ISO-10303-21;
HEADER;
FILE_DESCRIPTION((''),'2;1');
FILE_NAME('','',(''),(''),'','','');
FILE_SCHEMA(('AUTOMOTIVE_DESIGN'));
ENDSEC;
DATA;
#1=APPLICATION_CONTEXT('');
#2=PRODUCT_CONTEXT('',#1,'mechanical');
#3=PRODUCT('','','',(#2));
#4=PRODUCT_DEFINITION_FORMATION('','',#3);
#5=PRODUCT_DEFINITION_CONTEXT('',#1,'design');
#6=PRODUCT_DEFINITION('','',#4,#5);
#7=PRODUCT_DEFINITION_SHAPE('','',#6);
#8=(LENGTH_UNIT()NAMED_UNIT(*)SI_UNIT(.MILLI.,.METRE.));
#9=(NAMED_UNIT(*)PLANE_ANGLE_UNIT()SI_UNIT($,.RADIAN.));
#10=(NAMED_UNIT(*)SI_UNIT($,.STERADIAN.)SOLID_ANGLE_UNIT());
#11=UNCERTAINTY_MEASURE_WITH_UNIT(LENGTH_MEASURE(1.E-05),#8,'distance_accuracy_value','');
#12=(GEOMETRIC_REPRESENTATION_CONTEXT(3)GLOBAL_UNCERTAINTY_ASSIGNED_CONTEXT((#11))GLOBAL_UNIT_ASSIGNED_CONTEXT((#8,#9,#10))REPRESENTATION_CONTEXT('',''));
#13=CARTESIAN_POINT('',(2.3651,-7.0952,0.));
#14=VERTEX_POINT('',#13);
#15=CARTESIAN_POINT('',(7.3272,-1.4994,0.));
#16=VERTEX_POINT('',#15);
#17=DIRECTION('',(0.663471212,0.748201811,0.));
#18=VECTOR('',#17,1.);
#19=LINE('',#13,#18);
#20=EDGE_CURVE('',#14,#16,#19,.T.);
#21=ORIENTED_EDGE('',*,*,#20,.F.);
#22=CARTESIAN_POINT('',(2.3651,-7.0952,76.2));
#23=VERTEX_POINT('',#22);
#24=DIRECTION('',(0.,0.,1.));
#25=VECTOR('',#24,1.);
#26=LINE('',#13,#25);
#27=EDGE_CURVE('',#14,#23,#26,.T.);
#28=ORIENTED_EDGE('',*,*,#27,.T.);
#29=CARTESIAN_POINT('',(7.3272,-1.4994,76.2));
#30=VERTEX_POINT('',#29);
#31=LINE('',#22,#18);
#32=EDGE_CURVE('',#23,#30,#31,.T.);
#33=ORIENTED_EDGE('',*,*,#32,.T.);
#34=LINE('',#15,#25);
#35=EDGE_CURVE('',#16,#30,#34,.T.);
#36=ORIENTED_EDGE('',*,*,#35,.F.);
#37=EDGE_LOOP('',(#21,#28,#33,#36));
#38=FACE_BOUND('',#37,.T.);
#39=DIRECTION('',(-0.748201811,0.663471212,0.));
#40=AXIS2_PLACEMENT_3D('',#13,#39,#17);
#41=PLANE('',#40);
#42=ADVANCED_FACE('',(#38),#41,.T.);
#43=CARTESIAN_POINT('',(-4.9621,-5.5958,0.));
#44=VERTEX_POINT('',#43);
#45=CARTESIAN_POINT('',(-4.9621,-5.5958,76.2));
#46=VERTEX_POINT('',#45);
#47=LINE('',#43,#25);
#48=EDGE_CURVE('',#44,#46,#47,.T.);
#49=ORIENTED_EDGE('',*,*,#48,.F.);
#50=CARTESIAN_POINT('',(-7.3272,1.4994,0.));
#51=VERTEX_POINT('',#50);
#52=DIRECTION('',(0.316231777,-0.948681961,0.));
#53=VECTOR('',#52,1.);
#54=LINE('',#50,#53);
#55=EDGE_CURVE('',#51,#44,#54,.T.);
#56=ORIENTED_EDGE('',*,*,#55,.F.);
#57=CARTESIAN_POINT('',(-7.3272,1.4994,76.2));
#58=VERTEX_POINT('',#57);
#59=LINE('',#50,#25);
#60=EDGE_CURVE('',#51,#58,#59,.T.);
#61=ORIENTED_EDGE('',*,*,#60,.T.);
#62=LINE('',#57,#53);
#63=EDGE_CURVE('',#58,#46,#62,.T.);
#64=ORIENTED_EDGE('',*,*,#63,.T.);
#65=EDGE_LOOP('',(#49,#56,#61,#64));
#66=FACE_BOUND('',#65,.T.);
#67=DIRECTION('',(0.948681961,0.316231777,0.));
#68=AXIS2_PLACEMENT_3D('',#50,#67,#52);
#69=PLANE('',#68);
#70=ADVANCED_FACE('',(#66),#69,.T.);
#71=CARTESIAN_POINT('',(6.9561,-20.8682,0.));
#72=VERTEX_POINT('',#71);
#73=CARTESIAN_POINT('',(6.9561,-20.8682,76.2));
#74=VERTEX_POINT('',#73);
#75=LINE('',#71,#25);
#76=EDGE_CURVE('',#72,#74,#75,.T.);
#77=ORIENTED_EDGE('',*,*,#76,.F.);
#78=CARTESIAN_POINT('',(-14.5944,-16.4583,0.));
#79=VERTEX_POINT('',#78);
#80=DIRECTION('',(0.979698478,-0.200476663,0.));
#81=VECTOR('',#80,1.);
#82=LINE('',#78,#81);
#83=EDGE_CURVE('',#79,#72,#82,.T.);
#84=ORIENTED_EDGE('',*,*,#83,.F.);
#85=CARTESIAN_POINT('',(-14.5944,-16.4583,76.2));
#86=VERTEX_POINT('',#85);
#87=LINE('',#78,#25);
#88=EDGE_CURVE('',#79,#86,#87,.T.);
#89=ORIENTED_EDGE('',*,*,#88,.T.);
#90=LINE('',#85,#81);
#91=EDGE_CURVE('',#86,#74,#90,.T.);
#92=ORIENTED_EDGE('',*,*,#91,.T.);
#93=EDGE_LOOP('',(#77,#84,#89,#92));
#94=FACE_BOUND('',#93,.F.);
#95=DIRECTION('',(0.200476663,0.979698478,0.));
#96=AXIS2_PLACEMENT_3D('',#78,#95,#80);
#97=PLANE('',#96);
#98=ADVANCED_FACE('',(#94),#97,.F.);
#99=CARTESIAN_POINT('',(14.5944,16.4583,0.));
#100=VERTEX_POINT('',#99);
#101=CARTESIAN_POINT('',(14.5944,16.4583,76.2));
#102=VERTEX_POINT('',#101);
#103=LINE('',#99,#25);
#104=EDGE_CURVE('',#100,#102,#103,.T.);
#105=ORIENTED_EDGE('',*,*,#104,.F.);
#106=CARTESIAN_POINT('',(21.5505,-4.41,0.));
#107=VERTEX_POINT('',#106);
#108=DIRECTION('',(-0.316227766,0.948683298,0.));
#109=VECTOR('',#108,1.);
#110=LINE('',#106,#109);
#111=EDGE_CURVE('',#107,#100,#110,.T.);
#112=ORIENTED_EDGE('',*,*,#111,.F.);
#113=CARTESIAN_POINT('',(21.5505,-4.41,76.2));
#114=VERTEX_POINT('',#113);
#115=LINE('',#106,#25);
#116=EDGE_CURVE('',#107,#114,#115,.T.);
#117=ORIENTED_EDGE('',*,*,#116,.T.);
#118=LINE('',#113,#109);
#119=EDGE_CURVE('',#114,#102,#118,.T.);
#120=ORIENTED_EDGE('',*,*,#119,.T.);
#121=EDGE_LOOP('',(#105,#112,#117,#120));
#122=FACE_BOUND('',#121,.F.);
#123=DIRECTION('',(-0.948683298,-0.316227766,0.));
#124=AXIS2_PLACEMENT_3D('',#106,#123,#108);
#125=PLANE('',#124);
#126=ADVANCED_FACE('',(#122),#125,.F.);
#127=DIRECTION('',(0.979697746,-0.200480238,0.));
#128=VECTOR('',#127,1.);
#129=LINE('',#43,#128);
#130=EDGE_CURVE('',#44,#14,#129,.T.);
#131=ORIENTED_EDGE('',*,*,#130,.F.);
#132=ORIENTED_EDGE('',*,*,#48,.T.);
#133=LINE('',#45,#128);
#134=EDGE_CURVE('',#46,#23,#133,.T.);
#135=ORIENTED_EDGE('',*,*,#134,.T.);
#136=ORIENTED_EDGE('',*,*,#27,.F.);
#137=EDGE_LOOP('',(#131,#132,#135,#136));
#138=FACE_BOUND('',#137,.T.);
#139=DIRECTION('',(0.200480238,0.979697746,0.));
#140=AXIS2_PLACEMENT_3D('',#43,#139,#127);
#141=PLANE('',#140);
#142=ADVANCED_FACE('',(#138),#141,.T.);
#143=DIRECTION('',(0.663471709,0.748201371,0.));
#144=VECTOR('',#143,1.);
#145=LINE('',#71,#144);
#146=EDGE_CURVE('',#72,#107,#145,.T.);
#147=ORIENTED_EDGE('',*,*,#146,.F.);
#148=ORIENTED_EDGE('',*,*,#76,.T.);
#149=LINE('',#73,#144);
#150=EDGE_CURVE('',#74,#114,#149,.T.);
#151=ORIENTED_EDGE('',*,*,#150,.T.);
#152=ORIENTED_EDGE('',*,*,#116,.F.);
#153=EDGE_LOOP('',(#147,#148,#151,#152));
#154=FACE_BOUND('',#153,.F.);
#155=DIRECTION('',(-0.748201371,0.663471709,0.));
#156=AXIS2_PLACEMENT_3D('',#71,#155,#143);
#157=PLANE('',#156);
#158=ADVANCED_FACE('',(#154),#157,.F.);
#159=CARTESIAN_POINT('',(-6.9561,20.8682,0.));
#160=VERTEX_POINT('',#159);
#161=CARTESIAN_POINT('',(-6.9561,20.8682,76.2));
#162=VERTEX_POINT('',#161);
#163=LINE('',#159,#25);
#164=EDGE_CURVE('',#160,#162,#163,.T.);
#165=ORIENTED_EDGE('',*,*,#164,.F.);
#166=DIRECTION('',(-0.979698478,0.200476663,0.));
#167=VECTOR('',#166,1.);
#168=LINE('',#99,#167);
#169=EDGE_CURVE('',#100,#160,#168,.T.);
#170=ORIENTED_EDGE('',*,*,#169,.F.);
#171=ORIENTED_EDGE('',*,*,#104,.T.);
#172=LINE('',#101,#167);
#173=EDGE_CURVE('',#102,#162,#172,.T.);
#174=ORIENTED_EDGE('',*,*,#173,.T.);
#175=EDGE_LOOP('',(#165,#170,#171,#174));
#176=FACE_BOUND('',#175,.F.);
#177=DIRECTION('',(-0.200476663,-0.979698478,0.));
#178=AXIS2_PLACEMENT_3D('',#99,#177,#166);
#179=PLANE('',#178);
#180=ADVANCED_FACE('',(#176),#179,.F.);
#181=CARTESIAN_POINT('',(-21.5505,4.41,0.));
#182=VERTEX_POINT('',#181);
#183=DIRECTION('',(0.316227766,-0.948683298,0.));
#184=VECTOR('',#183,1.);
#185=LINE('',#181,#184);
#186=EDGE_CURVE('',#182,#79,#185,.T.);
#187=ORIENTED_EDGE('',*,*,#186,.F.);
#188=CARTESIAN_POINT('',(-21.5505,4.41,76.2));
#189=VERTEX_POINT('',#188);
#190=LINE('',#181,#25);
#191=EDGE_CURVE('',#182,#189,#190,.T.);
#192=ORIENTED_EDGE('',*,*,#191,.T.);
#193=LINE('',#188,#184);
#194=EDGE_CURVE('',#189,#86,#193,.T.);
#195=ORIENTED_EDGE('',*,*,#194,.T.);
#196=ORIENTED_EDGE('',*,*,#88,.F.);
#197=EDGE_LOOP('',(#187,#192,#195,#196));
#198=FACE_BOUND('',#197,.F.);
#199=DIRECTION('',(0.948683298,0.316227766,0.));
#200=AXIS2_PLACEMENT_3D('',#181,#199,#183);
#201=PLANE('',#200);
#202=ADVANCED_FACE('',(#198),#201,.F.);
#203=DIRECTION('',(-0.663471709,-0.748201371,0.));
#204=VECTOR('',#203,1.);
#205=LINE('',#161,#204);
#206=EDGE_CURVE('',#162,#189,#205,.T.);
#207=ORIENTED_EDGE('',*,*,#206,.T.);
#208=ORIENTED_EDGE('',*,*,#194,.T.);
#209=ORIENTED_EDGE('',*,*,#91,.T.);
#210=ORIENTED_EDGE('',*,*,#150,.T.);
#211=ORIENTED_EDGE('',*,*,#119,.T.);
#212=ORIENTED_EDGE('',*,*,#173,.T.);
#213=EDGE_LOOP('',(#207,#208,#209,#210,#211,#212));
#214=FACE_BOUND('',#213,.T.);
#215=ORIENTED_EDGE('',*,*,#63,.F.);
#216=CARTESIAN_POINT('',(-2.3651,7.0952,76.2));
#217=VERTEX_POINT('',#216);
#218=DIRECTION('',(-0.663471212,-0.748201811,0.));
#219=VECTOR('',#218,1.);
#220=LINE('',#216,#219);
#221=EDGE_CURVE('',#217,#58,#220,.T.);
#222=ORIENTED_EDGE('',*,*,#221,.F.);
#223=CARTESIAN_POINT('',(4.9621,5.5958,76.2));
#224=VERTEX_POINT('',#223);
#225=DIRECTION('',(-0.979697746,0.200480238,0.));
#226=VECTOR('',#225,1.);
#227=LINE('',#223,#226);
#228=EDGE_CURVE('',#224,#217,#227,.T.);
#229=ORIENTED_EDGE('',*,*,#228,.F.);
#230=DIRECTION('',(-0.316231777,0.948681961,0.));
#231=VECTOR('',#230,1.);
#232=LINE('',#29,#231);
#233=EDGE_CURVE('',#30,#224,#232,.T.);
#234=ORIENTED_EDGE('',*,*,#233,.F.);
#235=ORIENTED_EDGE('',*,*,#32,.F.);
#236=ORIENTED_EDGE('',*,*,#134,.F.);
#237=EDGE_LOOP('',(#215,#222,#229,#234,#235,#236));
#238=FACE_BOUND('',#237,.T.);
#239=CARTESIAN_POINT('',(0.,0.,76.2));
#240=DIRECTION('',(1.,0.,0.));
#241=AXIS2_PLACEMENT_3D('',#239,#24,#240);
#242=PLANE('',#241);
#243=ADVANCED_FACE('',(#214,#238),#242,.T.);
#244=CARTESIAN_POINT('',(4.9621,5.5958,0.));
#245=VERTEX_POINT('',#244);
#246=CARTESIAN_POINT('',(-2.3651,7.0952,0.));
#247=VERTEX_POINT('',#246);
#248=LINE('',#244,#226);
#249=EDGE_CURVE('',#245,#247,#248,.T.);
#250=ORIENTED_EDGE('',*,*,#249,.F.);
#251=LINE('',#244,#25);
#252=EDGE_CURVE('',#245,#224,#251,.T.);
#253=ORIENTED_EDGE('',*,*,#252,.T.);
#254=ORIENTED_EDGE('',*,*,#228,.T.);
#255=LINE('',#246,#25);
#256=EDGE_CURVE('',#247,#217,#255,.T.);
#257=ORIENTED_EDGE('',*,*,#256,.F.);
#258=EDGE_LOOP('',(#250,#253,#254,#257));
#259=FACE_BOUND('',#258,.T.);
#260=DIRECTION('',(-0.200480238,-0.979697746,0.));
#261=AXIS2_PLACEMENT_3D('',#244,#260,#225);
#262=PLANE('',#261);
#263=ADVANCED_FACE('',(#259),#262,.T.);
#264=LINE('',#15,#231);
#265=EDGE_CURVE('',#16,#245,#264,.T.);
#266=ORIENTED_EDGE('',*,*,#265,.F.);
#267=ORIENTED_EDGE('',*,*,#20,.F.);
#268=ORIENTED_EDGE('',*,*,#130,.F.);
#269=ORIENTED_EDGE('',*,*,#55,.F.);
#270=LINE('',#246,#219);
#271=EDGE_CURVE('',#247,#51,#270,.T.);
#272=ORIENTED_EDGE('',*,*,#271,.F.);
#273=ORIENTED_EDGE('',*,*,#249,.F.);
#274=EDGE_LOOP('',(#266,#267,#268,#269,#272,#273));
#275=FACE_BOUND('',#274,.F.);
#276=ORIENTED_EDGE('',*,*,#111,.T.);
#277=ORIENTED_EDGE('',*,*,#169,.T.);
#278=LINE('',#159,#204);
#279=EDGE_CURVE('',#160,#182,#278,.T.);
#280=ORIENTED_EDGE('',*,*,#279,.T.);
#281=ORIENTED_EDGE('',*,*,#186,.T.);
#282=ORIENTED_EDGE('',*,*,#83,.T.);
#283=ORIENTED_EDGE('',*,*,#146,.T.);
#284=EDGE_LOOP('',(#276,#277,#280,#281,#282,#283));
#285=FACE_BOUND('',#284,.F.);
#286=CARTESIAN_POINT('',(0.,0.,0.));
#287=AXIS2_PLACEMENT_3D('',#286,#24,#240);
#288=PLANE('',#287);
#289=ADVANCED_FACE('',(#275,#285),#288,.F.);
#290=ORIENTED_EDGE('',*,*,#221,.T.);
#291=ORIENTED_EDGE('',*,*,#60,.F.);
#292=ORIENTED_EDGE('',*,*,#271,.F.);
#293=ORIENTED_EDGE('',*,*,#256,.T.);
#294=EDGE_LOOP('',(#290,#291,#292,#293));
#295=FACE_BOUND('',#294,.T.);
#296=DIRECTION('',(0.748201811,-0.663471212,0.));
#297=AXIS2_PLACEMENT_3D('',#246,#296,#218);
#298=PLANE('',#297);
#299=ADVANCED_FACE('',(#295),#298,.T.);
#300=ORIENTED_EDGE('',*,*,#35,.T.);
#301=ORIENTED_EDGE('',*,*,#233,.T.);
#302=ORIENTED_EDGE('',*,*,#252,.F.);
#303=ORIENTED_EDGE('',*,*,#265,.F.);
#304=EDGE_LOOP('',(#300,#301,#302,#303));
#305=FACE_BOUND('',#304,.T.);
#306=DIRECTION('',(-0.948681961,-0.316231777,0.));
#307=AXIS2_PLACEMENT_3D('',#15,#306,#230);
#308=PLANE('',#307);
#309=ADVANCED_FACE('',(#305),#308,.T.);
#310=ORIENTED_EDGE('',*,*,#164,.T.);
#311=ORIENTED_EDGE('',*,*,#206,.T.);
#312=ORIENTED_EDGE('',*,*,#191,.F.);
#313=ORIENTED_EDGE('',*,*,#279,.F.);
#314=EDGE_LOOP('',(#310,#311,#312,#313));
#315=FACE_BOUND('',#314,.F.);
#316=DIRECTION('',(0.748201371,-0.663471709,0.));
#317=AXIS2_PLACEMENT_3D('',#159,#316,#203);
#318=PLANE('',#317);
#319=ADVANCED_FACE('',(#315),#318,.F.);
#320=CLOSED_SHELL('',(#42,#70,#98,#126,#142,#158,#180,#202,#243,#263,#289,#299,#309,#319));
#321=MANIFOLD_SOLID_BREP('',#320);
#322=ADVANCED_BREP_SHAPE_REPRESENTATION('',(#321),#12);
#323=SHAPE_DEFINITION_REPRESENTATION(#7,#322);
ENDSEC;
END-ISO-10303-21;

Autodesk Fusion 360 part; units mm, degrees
sketch "Sketch1" plane through (0, 0, 0) normal (0, 0, 1) x (1, 0, 0)
  line L0 (4.9621, 5.5958) -> (-2.3651, 7.0952)
  line L1 (-2.3651, 7.0952) -> (-7.3272, 1.4994)
  line L2 (-7.3272, 1.4994) -> (-4.9621, -5.5958)
  line L3 (-4.9621, -5.5958) -> (2.3651, -7.0952)
  line L4 (2.3651, -7.0952) -> (7.3272, -1.4994)
  line L5 (7.3272, -1.4994) -> (4.9621, 5.5958)
  line L6 (-6.9561, 20.8682) -> (-21.5505, 4.41)
  line L7 (-21.5505, 4.41) -> (-14.5944, -16.4583)
  line L8 (-14.5944, -16.4583) -> (6.9561, -20.8682)
  line L9 (6.9561, -20.8682) -> (21.5505, -4.41)
  line L10 (21.5505, -4.41) -> (14.5944, 16.4583)
  line L11 (14.5944, 16.4583) -> (-6.9561, 20.8682)
  dimension "d1" = 6.477
  dimension "d2" = 12.573
extrude "Extrude1" add sketch "Sketch1" along normal blind 76.2
equation "d2 = 0.75 in - d1"
